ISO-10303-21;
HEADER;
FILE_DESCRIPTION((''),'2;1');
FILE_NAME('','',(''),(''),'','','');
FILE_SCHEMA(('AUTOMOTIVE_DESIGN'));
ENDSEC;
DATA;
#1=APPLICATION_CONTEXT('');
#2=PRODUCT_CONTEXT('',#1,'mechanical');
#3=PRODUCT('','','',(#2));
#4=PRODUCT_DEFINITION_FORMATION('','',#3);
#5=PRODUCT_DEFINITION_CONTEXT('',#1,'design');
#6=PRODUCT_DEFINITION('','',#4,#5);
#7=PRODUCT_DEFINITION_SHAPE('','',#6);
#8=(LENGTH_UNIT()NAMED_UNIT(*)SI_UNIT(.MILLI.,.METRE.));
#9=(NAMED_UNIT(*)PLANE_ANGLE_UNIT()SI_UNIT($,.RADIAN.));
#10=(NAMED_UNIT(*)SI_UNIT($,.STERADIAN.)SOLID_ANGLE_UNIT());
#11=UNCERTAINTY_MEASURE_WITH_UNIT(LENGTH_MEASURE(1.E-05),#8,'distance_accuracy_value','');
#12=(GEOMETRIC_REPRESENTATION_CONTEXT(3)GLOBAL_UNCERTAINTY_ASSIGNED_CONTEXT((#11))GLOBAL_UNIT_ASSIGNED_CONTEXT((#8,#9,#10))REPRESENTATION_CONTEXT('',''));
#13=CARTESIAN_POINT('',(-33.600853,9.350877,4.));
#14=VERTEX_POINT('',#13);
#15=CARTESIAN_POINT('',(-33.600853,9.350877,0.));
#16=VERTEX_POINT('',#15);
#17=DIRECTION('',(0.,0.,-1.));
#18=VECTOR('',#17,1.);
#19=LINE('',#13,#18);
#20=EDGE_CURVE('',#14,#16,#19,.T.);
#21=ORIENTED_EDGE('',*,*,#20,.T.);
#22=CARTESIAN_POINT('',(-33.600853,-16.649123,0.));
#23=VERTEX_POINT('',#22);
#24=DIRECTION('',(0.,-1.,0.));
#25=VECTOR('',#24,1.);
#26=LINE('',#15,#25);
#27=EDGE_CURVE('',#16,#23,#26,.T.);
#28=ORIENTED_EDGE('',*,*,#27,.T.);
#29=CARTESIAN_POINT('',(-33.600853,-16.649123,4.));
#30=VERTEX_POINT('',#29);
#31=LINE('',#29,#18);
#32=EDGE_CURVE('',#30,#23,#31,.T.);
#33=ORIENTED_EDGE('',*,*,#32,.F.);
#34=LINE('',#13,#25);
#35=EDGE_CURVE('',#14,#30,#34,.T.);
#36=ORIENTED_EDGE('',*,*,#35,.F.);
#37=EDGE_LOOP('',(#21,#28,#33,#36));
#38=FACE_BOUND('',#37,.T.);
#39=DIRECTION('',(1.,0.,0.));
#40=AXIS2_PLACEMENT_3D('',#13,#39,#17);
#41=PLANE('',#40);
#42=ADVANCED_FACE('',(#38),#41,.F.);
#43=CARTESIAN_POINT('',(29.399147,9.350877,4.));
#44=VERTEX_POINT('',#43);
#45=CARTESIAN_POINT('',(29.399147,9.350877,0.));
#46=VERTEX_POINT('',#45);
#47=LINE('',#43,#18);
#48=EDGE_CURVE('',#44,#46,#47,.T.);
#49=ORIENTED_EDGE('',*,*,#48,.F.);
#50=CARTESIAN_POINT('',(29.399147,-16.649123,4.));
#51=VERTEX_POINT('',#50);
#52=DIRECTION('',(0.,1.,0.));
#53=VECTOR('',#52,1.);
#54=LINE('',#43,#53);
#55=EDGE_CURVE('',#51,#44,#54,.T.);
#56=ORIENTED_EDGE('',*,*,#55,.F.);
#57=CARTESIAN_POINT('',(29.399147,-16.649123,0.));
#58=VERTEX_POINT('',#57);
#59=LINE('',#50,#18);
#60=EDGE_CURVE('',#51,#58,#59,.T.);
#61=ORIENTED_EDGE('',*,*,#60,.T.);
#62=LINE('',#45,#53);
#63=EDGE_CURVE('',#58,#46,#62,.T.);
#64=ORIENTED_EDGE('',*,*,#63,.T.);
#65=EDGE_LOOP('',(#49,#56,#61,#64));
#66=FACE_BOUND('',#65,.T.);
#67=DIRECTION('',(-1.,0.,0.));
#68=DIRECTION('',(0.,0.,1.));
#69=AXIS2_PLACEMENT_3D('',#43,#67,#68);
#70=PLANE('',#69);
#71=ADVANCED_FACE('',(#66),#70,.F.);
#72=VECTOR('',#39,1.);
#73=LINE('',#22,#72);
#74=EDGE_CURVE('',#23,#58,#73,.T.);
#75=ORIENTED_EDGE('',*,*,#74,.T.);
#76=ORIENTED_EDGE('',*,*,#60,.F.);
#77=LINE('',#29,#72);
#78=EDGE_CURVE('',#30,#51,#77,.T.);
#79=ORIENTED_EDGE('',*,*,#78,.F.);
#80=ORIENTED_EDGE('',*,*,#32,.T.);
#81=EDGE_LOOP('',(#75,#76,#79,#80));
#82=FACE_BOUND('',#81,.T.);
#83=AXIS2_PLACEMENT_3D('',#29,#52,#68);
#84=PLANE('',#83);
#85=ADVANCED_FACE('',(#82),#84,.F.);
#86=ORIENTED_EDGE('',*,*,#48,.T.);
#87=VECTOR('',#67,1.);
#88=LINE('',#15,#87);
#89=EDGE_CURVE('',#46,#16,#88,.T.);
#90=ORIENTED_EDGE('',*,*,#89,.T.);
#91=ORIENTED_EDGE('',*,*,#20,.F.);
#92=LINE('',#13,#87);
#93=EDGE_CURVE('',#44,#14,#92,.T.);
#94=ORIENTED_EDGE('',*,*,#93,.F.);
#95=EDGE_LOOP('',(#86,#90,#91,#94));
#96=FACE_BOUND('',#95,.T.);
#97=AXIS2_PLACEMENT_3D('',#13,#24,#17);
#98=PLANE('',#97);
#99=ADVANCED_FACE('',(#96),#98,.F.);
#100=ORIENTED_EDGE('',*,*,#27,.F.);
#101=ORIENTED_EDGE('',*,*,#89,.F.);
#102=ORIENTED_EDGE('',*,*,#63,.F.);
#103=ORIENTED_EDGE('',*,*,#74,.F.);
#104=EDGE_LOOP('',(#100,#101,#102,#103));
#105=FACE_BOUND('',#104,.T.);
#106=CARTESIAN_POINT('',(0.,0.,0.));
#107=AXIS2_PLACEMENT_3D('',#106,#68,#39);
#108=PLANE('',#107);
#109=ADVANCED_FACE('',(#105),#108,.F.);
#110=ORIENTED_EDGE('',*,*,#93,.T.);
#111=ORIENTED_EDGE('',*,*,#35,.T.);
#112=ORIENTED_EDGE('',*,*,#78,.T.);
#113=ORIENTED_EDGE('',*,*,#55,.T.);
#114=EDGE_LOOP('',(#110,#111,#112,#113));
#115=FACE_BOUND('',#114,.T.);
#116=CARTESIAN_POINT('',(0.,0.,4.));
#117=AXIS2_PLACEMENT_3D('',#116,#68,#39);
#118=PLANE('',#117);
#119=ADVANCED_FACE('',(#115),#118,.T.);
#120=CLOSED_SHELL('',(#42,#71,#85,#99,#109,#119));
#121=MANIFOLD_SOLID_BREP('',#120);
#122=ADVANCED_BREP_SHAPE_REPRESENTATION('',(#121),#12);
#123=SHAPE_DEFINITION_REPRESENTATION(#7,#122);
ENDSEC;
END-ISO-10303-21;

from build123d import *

# Parameters (mm, degrees)
SKETCH1_W           = 63
SKETCH1_H           = 26
BOSS_EXTRUDE1_DEPTH = 4


with BuildPart() as part:
    # Sketch1 → Boss-Extrude1 (new body)
    with BuildSketch(Plane.XY):
        with Locations((-2.100853382, -3.649122807)):
            Rectangle(SKETCH1_W, SKETCH1_H)
    extrude(amount=BOSS_EXTRUDE1_DEPTH)


solid = part.part
